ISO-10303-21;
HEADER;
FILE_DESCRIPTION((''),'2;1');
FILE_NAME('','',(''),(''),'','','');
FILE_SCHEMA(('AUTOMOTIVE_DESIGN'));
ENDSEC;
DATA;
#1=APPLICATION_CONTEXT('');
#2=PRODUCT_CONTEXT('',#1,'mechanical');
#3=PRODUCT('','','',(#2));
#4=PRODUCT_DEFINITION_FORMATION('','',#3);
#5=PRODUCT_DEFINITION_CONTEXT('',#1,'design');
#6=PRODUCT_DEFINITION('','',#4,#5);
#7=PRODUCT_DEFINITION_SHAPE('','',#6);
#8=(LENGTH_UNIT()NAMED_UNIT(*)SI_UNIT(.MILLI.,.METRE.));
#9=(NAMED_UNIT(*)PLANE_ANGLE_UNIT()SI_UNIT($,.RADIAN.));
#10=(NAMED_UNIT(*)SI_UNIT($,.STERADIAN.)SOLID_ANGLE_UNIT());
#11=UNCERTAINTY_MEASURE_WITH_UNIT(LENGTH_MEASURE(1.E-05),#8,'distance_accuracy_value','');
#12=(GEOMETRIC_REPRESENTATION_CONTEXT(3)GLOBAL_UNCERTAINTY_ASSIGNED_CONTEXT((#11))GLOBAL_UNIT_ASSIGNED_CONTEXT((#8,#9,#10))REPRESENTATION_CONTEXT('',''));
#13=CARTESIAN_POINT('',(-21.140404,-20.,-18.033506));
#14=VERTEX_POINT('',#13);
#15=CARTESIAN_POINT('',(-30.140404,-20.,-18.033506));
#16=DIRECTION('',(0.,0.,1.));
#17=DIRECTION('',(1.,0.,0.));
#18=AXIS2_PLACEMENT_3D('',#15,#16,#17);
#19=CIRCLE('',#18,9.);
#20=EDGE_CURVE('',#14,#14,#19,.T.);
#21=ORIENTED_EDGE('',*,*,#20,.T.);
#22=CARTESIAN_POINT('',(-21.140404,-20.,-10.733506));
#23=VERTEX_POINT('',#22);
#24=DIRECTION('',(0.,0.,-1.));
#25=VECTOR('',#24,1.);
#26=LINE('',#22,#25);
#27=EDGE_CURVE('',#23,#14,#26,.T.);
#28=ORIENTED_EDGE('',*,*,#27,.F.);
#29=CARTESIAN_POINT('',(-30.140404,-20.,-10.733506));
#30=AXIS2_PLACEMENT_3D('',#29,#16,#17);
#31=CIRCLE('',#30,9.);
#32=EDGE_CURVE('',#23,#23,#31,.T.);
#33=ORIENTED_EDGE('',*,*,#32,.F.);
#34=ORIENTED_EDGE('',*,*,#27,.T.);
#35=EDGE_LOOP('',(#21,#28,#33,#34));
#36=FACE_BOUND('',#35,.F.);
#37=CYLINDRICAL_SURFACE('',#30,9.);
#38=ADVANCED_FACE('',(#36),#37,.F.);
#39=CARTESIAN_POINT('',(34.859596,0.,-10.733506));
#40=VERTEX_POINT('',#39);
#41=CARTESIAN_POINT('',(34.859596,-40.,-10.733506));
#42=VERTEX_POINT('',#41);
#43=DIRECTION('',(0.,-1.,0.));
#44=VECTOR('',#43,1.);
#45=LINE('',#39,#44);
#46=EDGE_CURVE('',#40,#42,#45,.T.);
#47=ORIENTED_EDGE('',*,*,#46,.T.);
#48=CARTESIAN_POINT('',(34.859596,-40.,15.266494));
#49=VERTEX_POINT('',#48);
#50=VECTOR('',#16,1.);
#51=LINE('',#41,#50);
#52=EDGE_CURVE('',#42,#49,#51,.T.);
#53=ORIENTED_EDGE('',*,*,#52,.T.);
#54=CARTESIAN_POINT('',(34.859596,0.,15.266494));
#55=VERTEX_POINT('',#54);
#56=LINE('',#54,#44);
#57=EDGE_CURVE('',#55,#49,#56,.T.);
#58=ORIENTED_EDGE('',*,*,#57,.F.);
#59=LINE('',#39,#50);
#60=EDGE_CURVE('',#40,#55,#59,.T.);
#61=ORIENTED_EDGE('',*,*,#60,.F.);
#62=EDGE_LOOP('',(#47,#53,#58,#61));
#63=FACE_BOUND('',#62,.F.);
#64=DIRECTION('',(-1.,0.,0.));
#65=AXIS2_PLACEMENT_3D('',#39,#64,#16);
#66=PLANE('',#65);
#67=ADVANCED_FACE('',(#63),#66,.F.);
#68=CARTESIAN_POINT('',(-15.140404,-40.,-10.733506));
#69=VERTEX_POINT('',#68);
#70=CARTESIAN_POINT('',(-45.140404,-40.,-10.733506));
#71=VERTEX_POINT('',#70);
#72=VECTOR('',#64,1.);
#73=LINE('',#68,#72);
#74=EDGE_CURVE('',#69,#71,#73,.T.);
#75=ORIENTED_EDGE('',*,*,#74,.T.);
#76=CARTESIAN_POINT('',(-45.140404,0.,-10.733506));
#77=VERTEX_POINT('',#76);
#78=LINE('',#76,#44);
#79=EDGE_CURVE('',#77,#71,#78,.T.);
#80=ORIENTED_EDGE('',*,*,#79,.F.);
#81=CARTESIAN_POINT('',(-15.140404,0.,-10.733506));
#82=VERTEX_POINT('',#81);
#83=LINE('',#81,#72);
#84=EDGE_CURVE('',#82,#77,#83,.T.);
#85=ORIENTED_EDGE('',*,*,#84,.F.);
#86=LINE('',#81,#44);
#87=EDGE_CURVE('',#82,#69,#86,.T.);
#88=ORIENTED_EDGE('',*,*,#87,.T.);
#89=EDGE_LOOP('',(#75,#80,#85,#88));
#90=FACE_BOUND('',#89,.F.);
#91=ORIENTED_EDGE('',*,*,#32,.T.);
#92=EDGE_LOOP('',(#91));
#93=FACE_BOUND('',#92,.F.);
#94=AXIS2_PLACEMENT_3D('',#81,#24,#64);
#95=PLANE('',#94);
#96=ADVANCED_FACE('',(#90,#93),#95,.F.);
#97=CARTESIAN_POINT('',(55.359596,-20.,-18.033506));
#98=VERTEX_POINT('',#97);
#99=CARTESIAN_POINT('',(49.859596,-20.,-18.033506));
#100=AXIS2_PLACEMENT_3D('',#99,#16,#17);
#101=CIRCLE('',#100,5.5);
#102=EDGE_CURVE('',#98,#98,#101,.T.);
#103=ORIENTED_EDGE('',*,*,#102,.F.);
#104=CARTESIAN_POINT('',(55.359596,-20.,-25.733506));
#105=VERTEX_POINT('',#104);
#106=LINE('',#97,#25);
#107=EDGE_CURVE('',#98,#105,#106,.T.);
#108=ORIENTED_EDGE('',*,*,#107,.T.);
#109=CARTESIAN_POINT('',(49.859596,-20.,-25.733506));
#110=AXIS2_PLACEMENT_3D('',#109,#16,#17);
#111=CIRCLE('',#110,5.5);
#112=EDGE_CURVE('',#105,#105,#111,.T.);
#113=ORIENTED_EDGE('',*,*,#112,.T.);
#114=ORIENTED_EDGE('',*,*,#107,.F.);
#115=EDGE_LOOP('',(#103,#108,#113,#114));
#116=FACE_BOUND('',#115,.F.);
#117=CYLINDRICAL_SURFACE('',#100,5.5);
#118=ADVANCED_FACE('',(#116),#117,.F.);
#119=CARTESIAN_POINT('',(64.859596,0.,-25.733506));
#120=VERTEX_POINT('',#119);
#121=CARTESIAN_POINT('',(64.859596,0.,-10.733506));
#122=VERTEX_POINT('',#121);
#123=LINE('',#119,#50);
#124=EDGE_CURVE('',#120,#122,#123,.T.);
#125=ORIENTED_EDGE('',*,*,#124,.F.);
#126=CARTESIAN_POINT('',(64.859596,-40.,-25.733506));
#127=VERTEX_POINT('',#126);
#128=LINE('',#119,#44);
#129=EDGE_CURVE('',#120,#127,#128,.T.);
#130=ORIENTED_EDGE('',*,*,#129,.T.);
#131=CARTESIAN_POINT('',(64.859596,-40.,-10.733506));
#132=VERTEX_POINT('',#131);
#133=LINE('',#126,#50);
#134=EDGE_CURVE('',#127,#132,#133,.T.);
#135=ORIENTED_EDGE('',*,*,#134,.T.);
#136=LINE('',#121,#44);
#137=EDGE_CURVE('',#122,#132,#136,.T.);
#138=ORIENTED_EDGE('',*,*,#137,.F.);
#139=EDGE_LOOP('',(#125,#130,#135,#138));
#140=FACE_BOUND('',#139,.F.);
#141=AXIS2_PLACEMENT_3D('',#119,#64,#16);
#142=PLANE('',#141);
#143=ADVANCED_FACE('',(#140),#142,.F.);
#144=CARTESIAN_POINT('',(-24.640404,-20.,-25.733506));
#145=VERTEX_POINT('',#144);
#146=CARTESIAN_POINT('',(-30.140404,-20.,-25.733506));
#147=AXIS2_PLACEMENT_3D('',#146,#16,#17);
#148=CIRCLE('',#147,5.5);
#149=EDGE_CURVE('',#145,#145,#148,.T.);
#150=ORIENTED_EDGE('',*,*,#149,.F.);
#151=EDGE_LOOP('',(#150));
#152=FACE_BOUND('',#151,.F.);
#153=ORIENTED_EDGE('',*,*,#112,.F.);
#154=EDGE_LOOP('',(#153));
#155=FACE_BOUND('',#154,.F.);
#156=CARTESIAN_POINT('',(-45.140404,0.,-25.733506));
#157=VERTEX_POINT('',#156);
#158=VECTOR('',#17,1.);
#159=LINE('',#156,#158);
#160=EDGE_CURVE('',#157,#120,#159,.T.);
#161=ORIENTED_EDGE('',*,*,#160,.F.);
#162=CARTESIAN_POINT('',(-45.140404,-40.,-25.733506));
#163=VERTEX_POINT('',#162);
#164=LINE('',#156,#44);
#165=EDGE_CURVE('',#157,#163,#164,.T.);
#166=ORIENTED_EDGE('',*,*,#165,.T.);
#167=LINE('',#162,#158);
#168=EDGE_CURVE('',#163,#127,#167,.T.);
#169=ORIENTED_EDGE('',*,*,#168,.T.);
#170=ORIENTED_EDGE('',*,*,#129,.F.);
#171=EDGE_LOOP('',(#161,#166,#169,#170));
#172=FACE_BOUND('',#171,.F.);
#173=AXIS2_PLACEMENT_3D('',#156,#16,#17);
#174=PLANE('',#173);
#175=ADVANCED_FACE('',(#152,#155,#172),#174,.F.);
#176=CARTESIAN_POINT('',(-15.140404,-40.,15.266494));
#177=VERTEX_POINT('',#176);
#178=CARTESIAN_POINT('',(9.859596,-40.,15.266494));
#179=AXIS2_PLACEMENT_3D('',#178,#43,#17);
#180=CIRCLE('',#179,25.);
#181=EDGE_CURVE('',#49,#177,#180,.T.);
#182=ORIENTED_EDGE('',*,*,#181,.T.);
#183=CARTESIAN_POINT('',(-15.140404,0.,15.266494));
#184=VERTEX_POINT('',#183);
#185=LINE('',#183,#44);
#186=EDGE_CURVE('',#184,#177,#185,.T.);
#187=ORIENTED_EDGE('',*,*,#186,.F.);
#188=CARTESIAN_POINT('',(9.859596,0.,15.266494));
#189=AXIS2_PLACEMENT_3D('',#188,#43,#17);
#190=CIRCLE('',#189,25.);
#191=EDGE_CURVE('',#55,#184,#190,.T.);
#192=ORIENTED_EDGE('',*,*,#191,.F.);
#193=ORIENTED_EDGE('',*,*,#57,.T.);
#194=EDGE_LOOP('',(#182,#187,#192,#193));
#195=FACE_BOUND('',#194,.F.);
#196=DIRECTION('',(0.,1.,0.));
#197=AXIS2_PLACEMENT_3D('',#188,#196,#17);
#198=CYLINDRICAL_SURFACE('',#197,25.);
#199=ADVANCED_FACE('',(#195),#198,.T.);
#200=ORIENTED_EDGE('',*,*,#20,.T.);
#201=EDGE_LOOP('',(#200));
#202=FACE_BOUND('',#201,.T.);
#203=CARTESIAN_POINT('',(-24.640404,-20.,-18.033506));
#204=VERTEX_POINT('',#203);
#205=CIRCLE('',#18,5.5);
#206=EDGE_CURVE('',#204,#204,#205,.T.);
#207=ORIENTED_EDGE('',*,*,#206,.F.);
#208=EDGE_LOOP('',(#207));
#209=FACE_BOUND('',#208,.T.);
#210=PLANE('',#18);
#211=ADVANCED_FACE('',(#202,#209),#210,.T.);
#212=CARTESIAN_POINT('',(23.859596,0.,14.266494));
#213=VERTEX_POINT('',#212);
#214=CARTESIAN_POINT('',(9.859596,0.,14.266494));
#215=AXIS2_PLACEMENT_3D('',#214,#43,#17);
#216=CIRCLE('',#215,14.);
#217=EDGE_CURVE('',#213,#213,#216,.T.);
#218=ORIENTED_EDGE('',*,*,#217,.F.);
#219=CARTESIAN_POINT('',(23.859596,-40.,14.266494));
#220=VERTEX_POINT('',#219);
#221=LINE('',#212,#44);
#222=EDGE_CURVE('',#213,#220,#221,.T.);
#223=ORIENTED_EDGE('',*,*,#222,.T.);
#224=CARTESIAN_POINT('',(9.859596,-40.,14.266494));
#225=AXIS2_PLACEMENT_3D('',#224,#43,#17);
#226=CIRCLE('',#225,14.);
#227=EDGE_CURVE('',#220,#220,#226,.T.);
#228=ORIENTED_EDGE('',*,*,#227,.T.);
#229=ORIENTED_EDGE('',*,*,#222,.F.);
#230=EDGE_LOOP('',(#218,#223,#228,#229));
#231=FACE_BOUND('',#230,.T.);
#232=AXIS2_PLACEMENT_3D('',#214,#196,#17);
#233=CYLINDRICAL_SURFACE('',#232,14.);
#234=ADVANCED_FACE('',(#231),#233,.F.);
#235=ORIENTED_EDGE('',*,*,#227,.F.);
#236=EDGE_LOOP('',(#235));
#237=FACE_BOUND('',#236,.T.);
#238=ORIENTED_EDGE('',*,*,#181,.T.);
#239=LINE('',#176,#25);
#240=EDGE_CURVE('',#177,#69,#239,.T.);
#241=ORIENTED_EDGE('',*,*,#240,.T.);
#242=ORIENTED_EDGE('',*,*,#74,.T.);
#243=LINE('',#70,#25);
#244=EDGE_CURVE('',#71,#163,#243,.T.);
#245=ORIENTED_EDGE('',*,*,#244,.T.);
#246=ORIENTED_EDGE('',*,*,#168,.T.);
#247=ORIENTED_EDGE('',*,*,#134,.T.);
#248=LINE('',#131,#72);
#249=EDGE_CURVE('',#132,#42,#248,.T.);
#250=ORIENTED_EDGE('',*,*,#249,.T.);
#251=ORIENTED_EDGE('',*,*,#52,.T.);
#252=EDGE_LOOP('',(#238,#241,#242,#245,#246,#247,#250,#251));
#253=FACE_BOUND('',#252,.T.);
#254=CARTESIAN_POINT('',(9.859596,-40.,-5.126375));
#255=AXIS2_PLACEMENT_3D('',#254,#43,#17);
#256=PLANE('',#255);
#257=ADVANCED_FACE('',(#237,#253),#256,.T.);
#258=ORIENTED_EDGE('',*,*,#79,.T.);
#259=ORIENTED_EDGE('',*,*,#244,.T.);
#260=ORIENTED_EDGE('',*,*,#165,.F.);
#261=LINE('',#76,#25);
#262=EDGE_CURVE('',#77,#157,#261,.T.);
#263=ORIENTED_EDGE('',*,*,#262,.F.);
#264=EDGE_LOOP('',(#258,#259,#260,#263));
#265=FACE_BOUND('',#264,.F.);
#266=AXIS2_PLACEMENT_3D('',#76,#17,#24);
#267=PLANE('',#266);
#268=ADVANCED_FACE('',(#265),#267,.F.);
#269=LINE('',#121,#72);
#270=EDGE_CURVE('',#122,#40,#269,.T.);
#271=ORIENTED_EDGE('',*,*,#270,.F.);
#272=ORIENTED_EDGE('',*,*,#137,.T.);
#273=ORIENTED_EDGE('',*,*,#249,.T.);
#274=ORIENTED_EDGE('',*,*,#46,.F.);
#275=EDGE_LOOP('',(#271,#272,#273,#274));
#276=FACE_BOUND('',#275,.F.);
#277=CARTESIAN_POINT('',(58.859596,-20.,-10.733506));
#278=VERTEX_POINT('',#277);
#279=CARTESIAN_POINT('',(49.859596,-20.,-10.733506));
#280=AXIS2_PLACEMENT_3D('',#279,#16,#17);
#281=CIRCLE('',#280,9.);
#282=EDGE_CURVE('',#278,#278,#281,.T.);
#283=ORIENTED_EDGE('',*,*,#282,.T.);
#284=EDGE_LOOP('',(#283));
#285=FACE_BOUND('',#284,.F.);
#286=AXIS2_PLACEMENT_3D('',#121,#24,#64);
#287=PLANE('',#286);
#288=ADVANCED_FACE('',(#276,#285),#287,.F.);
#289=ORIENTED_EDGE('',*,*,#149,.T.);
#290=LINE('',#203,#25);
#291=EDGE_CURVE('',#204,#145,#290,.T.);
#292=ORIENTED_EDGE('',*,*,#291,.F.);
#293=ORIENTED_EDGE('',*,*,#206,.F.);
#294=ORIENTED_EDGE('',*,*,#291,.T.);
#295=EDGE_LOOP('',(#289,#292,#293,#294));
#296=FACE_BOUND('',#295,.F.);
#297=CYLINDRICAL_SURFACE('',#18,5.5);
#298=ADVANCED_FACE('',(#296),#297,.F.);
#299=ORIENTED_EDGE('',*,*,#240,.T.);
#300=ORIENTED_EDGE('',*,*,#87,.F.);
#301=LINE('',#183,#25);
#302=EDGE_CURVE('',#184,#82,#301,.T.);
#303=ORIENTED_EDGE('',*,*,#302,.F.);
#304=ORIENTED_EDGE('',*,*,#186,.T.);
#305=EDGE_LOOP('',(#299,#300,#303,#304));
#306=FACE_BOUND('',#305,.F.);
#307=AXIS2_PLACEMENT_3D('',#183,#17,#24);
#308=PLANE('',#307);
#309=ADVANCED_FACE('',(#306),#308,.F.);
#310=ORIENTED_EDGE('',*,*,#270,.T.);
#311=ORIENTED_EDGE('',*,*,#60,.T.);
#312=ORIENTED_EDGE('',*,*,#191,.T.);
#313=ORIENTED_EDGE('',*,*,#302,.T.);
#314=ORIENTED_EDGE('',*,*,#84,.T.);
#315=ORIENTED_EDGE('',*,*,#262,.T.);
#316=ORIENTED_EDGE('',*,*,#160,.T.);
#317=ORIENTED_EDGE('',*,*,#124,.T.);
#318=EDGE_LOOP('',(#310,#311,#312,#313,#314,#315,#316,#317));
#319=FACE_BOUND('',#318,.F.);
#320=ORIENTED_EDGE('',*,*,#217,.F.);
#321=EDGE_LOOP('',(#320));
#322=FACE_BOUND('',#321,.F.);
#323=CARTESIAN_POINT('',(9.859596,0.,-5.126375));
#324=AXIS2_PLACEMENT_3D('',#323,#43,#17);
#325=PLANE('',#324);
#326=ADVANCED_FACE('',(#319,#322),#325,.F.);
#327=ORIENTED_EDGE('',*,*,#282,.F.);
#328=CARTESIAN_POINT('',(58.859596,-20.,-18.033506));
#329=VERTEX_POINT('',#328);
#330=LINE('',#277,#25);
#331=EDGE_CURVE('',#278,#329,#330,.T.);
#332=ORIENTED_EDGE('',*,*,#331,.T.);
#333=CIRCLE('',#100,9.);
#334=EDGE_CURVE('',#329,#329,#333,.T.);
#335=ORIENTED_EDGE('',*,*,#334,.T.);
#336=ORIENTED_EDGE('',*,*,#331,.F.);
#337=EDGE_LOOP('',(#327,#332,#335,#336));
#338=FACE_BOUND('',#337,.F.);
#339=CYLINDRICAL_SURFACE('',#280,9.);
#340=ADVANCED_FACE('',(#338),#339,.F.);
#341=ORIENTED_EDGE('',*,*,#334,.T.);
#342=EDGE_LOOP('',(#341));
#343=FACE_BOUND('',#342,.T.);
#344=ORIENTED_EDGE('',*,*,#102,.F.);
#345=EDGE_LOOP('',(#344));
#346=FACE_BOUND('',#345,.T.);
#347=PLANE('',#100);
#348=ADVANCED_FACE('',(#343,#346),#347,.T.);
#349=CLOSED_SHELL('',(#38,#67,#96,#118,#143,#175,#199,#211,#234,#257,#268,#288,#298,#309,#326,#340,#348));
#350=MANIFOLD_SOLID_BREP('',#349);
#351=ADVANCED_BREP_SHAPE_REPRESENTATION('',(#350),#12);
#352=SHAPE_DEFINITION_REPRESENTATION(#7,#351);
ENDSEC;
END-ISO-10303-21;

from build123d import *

# Parameters (mm, degrees)
F0_R     = 14
F1_DEPTH = 40
F2_R     = 9
F3_DEPTH = 7.3
F4_R     = 5.5
F5_R     = 5.5
F6_DEPTH = 25


with BuildPart() as f1:
    # F0 (on Front) → F1 (new body)
    with BuildSketch(Plane.XZ):
        with BuildLine():
            Line((-15.140404, -10.733506), (-45.140404, -10.733506))
            Line((-45.140404, -10.733506), (-45.140404, -25.733506))
            Line((-45.140404, -25.733506), (64.859596, -25.733506))
            Line((64.859596, -25.733506), (64.859596, -10.733506))
            Line((64.859596, -10.733506), (34.859596, -10.733506))
            Line((34.859596, -10.733506), (34.859596, 15.266494))
            ThreePointArc((34.859596, 15.266494), (9.859596, 40.266494), (-15.140404, 15.266494))
            Line((-15.140404, 15.266494), (-15.140404, -10.733506))
        make_face()
        with Locations((9.859596, 14.266494)):
            Circle(F0_R, mode=Mode.SUBTRACT)
    extrude(amount=F1_DEPTH)

    # F2 (on face) → F3 (cut)
    with BuildSketch(Plane.XY.offset(-10.733506)):
        with Locations((-30.140404, -20)):
            Circle(F2_R)
        with Locations((49.859596, -20)):
            Circle(F2_R)
    extrude(amount=-F3_DEPTH, mode=Mode.SUBTRACT)

    # F4 (on face) + F5 (on face) → F6 (cut)
    with BuildSketch(Plane.XY.offset(-18.033506)):
        with Locations((-30.140404, -20)):
            Circle(F4_R)
    with BuildSketch(Plane.XY.offset(-18.033506)):
        with Locations((49.859596, -20)):
            Circle(F5_R)
    extrude(amount=-F6_DEPTH, mode=Mode.SUBTRACT)


solid = f1.part
